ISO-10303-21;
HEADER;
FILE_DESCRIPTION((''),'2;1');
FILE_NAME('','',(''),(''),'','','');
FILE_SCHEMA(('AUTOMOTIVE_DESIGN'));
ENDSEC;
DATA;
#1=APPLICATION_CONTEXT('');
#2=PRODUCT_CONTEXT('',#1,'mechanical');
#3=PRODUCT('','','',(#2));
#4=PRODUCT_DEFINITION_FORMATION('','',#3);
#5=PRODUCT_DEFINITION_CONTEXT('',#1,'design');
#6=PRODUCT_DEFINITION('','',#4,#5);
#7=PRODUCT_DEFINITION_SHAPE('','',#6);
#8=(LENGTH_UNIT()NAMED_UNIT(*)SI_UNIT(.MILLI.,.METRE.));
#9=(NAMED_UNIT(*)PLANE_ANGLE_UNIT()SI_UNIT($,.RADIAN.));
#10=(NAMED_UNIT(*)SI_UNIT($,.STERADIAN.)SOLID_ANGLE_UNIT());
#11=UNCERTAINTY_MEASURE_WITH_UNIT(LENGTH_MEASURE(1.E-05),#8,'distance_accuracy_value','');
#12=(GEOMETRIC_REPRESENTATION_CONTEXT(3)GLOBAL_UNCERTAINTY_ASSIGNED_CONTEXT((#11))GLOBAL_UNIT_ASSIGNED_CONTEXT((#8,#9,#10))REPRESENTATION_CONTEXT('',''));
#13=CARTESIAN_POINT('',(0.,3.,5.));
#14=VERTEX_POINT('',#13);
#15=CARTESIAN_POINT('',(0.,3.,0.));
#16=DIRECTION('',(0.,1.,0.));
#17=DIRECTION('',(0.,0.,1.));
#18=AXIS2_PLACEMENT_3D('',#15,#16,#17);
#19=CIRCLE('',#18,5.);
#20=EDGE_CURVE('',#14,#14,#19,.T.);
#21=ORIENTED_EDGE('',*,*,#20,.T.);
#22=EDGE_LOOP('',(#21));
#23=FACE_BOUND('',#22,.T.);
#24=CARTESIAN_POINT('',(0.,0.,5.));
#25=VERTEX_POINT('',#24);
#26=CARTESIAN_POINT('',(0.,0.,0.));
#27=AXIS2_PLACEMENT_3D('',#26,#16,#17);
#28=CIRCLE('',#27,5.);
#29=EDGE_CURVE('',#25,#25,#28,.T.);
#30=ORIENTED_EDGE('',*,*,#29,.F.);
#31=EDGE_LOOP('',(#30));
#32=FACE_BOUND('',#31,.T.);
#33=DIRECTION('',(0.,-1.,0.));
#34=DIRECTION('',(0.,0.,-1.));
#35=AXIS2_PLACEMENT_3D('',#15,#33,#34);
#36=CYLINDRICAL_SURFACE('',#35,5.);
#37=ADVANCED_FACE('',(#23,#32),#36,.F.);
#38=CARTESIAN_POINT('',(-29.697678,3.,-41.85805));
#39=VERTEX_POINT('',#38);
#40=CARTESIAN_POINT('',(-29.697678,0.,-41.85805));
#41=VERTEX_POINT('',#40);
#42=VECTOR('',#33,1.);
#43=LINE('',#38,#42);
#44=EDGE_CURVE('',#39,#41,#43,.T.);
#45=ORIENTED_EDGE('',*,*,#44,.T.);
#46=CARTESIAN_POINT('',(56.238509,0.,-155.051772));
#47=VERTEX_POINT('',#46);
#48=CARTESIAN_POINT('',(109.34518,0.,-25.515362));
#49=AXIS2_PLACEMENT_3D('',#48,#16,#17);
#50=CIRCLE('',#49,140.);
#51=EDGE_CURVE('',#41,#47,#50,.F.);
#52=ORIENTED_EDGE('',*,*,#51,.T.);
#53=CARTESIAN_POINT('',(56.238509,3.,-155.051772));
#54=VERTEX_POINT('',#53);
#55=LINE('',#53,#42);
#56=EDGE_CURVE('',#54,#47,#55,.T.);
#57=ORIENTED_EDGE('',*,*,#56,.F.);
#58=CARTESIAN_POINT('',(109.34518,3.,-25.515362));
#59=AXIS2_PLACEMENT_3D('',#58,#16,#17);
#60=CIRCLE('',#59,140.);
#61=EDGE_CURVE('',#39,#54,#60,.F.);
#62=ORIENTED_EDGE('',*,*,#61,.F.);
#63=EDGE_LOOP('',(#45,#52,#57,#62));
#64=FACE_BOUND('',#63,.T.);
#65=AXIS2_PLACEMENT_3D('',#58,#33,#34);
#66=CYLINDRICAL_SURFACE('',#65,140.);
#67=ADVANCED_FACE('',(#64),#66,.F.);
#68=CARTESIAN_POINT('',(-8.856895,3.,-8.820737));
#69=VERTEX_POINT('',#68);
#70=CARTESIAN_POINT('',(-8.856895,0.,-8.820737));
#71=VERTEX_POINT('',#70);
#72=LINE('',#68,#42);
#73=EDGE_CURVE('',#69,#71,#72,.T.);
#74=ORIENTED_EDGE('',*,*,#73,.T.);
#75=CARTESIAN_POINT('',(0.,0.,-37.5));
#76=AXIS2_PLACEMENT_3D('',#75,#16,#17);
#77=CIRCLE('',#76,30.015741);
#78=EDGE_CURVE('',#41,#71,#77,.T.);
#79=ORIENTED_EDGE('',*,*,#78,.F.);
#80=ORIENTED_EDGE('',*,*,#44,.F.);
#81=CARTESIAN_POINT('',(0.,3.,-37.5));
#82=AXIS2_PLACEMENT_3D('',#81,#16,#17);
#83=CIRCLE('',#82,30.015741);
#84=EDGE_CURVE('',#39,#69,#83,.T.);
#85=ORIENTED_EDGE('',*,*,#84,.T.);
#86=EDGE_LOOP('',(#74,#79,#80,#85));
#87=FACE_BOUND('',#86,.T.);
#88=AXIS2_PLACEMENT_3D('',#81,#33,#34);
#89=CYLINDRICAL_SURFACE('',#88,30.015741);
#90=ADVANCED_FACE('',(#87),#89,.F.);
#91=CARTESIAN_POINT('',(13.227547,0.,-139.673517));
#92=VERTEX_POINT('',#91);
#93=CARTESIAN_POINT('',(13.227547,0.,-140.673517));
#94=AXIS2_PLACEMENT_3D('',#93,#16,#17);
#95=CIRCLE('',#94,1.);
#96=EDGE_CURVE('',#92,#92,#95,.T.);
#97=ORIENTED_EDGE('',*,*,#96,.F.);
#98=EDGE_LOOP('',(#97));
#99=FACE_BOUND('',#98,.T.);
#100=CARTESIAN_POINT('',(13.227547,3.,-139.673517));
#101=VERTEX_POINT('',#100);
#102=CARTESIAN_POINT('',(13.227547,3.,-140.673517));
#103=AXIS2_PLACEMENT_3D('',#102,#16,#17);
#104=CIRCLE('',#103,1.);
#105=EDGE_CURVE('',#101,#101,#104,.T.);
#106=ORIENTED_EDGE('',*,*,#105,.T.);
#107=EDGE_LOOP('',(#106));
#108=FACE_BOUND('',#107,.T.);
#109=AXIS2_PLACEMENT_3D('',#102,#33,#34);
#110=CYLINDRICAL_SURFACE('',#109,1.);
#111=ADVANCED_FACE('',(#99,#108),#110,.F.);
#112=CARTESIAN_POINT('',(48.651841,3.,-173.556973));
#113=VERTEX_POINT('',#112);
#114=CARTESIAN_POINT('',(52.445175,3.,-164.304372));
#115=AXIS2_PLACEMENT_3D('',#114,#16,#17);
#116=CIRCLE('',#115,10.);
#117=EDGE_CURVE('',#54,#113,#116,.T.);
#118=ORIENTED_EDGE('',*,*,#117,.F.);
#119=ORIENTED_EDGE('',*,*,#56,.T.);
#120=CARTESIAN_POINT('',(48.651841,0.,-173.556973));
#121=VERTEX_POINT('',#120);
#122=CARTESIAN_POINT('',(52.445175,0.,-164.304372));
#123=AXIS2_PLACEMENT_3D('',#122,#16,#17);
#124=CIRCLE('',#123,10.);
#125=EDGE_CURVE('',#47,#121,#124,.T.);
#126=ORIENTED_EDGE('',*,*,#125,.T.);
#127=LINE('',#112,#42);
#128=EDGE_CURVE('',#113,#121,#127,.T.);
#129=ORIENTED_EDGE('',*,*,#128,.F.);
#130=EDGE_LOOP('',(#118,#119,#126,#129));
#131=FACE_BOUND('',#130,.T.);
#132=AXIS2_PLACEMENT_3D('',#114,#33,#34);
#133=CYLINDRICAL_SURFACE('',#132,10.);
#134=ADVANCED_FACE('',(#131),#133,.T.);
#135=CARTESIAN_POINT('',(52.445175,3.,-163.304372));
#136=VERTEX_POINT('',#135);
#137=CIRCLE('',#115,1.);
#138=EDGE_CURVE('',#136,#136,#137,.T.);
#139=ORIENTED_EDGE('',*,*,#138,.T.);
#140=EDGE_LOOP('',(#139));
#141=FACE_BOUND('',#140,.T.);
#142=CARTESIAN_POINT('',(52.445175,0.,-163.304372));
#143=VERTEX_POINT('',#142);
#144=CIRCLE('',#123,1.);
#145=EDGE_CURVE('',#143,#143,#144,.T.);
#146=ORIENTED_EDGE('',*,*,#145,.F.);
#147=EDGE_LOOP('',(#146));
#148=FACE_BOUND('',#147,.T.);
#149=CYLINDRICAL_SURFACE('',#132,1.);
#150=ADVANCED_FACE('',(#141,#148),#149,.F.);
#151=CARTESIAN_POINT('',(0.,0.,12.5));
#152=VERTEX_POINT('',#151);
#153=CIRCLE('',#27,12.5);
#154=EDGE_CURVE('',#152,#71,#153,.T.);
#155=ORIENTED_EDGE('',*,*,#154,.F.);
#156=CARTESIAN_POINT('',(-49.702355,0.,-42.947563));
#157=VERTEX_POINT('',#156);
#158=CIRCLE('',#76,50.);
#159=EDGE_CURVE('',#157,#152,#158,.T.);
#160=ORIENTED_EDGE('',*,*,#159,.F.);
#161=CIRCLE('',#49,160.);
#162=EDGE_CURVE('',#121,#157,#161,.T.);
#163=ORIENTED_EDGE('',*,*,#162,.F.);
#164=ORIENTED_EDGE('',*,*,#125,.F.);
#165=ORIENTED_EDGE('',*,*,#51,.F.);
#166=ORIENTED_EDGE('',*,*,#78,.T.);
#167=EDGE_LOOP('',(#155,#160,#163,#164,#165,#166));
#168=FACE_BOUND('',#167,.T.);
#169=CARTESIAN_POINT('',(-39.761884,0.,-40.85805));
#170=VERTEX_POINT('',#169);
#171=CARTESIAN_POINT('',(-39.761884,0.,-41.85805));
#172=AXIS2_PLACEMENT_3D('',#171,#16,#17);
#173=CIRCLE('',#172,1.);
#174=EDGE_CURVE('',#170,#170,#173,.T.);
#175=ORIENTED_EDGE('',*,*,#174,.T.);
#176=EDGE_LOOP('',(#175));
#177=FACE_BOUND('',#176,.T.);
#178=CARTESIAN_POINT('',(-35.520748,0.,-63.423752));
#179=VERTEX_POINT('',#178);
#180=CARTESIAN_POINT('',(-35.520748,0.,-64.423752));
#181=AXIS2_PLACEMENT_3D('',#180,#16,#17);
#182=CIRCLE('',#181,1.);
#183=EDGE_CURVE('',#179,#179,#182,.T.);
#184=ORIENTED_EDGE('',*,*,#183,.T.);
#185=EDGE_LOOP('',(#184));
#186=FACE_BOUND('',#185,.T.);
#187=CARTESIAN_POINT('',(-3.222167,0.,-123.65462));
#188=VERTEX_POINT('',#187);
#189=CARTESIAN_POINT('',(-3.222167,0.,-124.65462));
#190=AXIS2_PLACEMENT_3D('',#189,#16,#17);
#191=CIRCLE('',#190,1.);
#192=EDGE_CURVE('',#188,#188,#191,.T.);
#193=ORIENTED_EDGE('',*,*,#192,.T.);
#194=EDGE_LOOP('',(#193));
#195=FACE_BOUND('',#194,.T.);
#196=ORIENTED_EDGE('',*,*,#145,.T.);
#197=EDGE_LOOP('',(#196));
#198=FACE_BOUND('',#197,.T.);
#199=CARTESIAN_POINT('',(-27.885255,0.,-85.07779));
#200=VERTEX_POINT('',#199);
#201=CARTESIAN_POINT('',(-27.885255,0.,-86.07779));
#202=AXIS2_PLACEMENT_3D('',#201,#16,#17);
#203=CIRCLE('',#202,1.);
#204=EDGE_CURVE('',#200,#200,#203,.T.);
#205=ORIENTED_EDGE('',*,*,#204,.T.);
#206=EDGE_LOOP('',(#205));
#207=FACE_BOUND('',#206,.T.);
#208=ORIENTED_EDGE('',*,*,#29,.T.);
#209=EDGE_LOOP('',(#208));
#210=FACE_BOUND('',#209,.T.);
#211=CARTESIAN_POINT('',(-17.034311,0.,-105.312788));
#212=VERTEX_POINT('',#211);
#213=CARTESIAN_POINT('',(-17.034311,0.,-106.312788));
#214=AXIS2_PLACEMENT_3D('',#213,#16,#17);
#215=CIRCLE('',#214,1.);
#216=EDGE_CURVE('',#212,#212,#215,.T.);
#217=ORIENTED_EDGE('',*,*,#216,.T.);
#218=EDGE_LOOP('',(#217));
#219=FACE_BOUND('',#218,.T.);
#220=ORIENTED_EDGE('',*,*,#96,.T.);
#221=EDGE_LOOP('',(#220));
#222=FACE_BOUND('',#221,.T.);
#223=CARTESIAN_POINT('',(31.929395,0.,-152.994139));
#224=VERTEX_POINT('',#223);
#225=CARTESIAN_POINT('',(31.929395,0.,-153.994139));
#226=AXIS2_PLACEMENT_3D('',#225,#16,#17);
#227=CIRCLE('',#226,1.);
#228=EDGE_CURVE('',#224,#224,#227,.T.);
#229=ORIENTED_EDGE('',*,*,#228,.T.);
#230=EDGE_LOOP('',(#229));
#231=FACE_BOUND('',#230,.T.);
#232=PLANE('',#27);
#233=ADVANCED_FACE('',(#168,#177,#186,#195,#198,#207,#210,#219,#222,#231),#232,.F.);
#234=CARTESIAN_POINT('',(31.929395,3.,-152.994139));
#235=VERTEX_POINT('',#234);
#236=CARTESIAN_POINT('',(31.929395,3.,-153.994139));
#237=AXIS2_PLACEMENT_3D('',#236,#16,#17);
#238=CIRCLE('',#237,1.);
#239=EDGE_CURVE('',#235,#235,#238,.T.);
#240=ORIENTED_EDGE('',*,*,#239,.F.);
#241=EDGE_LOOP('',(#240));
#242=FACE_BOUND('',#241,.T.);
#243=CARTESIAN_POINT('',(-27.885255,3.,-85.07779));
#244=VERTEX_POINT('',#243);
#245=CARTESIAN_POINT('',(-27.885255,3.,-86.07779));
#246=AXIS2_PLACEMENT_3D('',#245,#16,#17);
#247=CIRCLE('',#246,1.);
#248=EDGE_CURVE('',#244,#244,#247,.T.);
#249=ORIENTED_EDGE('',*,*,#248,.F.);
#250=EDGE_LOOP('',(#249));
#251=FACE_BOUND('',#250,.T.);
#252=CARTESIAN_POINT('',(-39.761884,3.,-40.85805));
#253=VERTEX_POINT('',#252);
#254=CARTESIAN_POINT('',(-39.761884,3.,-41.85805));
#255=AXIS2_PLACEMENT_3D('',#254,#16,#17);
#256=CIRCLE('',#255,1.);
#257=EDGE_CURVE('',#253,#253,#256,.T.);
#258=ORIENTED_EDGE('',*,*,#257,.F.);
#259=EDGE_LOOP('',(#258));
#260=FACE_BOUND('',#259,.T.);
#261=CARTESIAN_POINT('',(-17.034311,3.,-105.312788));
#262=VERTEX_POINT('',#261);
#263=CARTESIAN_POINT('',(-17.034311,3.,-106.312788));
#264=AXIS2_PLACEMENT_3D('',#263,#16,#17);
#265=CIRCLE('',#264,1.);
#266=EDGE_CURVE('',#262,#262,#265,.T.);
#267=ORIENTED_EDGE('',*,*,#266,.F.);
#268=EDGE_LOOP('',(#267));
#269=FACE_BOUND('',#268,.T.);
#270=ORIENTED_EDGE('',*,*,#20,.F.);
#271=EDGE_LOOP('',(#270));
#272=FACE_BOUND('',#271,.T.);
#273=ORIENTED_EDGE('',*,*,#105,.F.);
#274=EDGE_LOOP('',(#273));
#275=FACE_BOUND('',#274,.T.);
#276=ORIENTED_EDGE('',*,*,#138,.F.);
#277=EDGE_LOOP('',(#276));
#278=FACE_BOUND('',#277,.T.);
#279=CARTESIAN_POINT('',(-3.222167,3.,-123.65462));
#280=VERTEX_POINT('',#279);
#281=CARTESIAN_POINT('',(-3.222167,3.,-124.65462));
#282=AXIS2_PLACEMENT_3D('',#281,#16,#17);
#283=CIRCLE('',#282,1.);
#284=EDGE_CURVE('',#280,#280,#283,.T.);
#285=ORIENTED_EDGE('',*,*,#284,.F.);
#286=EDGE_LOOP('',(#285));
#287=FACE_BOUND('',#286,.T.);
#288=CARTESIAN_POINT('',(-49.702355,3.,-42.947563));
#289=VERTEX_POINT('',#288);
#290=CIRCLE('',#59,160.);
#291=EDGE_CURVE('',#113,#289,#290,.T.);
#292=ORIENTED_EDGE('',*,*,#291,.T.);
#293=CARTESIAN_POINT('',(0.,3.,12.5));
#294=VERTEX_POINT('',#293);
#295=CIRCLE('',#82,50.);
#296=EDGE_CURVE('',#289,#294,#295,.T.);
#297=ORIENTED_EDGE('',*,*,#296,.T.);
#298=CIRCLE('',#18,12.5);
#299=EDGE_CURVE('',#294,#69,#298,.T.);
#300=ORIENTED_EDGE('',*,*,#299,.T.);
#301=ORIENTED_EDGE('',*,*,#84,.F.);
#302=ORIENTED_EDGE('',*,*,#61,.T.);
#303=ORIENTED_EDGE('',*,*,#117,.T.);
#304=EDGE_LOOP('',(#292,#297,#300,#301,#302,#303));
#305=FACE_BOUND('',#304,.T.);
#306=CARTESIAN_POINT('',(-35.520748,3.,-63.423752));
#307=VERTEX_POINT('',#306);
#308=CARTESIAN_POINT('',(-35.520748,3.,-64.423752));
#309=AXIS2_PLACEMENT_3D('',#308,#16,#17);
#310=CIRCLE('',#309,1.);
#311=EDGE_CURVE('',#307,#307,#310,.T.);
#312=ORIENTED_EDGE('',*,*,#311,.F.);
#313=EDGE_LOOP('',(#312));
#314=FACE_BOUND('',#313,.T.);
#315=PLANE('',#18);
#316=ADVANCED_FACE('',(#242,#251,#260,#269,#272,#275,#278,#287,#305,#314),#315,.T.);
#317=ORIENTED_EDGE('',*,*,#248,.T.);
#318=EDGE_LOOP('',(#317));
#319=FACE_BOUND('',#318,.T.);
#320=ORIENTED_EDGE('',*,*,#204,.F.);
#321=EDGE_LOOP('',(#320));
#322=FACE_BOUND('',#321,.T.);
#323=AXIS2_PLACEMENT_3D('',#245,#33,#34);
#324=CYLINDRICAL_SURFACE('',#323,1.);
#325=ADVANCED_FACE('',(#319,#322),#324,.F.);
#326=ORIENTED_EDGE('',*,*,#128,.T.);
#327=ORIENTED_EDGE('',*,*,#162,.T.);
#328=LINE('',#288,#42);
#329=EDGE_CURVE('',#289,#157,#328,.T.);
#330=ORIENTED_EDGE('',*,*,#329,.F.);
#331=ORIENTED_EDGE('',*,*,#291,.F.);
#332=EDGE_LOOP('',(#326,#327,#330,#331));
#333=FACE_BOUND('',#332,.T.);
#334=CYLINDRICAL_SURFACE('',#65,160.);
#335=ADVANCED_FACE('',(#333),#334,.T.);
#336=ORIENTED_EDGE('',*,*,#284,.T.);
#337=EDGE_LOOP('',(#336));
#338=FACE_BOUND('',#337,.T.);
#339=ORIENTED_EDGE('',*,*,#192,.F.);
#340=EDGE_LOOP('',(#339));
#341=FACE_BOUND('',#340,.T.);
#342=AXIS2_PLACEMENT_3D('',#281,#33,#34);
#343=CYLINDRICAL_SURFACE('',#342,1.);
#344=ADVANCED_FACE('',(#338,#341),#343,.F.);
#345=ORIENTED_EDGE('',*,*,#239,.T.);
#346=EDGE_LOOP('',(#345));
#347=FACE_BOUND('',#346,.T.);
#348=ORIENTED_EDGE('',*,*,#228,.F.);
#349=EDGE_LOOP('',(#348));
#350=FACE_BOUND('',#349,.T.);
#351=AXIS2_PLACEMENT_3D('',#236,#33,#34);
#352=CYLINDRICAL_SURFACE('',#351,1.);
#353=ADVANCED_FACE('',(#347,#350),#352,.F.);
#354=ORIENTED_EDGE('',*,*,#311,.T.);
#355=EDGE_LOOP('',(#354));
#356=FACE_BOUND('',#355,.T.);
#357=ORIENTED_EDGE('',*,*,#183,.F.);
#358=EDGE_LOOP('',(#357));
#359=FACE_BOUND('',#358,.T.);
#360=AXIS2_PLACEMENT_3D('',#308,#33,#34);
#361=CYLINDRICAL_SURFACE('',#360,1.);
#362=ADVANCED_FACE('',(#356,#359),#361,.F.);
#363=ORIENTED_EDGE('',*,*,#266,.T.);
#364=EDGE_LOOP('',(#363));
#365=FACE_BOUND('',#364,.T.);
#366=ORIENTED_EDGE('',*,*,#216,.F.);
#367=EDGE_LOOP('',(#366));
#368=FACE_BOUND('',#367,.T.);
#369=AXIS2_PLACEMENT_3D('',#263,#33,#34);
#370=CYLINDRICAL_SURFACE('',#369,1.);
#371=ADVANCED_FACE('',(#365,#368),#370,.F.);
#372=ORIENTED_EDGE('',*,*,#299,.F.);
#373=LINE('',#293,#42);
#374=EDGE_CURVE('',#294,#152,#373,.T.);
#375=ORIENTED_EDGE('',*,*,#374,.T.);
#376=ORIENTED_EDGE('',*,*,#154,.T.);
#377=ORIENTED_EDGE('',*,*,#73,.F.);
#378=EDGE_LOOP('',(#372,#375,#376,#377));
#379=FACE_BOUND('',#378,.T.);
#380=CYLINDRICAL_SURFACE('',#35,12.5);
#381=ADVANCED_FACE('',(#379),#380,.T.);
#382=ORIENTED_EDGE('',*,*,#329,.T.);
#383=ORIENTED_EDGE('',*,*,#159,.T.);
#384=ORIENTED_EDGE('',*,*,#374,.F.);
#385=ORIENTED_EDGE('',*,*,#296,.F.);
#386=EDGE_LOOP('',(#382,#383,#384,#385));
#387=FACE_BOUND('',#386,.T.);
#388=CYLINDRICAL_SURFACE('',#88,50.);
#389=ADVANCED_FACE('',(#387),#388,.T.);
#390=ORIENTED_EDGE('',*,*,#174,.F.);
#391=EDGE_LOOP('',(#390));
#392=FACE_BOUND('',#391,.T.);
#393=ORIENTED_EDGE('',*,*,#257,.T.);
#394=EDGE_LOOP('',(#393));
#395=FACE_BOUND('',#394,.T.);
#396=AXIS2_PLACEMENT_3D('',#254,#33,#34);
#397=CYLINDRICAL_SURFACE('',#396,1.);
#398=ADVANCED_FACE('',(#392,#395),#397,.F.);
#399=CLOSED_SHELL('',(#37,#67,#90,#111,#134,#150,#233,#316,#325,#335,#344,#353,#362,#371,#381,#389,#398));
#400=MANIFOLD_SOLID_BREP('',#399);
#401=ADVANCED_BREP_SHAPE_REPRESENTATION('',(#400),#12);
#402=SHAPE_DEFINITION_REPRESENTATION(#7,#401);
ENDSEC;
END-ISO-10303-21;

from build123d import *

# Parameters (mm, degrees)
IZIM1_R                     = 1
IZIM1_R_2                   = 12.5
IZIM1_R_3                   = 5
IZIM1_R_4                   = 10
Y_KSEKLIK_EKSTR_ZYON1_DEPTH = 3


with BuildPart() as part:
    # Çizim1 → Yükseklik-Ekstrüzyon1 (new body)
    # profile 1 of 3: a face of its own
    with BuildSketch(Plane(origin=(0, 0, 0), x_dir=(1, 0, 0), z_dir=(0, 1, 0))):
        with BuildLine():
            ThreePointArc((0, -12.5), (-11.543595981, -4.795351063), (-8.856895242, 8.820737309))
            ThreePointArc((-8.856895242, 8.820737309), (-25.386606646, 21.485478314), (-29.697678368, 41.85805018))
            ThreePointArc((-29.697678368, 41.85805018), (-2.160717, 110.170160276), (56.238508843, 155.051771745))
            ThreePointArc((56.238508843, 155.051771745), (43.192574473, 160.511038766), (48.651841494, 173.556973137))
            ThreePointArc((48.651841494, 173.556973137), (-18.46803273, 121.763907855), (-49.702354676, 42.947562724))
            ThreePointArc((-49.702354676, 42.947562724), (-37.231560108, 4.126193926), (0, -12.5))
        make_face()
        with Locations(Location((-39.761883741, 41.85805018, 0), (0, 0, 270))):
            Circle(IZIM1_R, mode=Mode.SUBTRACT)
        with Locations(Location((-35.520748055, 64.423751915, 0), (0, 0, 270))):
            Circle(IZIM1_R, mode=Mode.SUBTRACT)
        with Locations(Location((-27.885254768, 86.077790082, 0), (0, 0, 270))):
            Circle(IZIM1_R, mode=Mode.SUBTRACT)
        with Locations(Location((-17.034311334, 106.31278831, 0), (0, 0, 270))):
            Circle(IZIM1_R, mode=Mode.SUBTRACT)
        with Locations(Location((-3.222166513, 124.654619792, 0), (0, 0, 270))):
            Circle(IZIM1_R, mode=Mode.SUBTRACT)
        with Locations(Location((13.227546947, 140.673516564, 0), (0, 0, 270))):
            Circle(IZIM1_R, mode=Mode.SUBTRACT)
        with Locations(Location((31.929395352, 153.994139408, 0), (0, 0, 270))):
            Circle(IZIM1_R, mode=Mode.SUBTRACT)
    # profile 2 of 3: a face of its own
    with BuildSketch(Plane(origin=(0, 0, 0), x_dir=(1, 0, 0), z_dir=(0, 1, 0))):
        Circle(IZIM1_R_2)
        with Locations(Location((0, 0, 0), (0, 0, 270))):
            Circle(IZIM1_R_3, mode=Mode.SUBTRACT)
    # profile 3 of 3: a face of its own
    with BuildSketch(Plane(origin=(0, 0, 0), x_dir=(1, 0, 0), z_dir=(0, 1, 0))):
        with Locations((52.445175169, 164.304372441)):
            Circle(IZIM1_R_4)
        with Locations(Location((52.445175169, 164.304372441, 0), (0, 0, 270))):
            Circle(IZIM1_R, mode=Mode.SUBTRACT)
    extrude(amount=Y_KSEKLIK_EKSTR_ZYON1_DEPTH)


solid = part.part
